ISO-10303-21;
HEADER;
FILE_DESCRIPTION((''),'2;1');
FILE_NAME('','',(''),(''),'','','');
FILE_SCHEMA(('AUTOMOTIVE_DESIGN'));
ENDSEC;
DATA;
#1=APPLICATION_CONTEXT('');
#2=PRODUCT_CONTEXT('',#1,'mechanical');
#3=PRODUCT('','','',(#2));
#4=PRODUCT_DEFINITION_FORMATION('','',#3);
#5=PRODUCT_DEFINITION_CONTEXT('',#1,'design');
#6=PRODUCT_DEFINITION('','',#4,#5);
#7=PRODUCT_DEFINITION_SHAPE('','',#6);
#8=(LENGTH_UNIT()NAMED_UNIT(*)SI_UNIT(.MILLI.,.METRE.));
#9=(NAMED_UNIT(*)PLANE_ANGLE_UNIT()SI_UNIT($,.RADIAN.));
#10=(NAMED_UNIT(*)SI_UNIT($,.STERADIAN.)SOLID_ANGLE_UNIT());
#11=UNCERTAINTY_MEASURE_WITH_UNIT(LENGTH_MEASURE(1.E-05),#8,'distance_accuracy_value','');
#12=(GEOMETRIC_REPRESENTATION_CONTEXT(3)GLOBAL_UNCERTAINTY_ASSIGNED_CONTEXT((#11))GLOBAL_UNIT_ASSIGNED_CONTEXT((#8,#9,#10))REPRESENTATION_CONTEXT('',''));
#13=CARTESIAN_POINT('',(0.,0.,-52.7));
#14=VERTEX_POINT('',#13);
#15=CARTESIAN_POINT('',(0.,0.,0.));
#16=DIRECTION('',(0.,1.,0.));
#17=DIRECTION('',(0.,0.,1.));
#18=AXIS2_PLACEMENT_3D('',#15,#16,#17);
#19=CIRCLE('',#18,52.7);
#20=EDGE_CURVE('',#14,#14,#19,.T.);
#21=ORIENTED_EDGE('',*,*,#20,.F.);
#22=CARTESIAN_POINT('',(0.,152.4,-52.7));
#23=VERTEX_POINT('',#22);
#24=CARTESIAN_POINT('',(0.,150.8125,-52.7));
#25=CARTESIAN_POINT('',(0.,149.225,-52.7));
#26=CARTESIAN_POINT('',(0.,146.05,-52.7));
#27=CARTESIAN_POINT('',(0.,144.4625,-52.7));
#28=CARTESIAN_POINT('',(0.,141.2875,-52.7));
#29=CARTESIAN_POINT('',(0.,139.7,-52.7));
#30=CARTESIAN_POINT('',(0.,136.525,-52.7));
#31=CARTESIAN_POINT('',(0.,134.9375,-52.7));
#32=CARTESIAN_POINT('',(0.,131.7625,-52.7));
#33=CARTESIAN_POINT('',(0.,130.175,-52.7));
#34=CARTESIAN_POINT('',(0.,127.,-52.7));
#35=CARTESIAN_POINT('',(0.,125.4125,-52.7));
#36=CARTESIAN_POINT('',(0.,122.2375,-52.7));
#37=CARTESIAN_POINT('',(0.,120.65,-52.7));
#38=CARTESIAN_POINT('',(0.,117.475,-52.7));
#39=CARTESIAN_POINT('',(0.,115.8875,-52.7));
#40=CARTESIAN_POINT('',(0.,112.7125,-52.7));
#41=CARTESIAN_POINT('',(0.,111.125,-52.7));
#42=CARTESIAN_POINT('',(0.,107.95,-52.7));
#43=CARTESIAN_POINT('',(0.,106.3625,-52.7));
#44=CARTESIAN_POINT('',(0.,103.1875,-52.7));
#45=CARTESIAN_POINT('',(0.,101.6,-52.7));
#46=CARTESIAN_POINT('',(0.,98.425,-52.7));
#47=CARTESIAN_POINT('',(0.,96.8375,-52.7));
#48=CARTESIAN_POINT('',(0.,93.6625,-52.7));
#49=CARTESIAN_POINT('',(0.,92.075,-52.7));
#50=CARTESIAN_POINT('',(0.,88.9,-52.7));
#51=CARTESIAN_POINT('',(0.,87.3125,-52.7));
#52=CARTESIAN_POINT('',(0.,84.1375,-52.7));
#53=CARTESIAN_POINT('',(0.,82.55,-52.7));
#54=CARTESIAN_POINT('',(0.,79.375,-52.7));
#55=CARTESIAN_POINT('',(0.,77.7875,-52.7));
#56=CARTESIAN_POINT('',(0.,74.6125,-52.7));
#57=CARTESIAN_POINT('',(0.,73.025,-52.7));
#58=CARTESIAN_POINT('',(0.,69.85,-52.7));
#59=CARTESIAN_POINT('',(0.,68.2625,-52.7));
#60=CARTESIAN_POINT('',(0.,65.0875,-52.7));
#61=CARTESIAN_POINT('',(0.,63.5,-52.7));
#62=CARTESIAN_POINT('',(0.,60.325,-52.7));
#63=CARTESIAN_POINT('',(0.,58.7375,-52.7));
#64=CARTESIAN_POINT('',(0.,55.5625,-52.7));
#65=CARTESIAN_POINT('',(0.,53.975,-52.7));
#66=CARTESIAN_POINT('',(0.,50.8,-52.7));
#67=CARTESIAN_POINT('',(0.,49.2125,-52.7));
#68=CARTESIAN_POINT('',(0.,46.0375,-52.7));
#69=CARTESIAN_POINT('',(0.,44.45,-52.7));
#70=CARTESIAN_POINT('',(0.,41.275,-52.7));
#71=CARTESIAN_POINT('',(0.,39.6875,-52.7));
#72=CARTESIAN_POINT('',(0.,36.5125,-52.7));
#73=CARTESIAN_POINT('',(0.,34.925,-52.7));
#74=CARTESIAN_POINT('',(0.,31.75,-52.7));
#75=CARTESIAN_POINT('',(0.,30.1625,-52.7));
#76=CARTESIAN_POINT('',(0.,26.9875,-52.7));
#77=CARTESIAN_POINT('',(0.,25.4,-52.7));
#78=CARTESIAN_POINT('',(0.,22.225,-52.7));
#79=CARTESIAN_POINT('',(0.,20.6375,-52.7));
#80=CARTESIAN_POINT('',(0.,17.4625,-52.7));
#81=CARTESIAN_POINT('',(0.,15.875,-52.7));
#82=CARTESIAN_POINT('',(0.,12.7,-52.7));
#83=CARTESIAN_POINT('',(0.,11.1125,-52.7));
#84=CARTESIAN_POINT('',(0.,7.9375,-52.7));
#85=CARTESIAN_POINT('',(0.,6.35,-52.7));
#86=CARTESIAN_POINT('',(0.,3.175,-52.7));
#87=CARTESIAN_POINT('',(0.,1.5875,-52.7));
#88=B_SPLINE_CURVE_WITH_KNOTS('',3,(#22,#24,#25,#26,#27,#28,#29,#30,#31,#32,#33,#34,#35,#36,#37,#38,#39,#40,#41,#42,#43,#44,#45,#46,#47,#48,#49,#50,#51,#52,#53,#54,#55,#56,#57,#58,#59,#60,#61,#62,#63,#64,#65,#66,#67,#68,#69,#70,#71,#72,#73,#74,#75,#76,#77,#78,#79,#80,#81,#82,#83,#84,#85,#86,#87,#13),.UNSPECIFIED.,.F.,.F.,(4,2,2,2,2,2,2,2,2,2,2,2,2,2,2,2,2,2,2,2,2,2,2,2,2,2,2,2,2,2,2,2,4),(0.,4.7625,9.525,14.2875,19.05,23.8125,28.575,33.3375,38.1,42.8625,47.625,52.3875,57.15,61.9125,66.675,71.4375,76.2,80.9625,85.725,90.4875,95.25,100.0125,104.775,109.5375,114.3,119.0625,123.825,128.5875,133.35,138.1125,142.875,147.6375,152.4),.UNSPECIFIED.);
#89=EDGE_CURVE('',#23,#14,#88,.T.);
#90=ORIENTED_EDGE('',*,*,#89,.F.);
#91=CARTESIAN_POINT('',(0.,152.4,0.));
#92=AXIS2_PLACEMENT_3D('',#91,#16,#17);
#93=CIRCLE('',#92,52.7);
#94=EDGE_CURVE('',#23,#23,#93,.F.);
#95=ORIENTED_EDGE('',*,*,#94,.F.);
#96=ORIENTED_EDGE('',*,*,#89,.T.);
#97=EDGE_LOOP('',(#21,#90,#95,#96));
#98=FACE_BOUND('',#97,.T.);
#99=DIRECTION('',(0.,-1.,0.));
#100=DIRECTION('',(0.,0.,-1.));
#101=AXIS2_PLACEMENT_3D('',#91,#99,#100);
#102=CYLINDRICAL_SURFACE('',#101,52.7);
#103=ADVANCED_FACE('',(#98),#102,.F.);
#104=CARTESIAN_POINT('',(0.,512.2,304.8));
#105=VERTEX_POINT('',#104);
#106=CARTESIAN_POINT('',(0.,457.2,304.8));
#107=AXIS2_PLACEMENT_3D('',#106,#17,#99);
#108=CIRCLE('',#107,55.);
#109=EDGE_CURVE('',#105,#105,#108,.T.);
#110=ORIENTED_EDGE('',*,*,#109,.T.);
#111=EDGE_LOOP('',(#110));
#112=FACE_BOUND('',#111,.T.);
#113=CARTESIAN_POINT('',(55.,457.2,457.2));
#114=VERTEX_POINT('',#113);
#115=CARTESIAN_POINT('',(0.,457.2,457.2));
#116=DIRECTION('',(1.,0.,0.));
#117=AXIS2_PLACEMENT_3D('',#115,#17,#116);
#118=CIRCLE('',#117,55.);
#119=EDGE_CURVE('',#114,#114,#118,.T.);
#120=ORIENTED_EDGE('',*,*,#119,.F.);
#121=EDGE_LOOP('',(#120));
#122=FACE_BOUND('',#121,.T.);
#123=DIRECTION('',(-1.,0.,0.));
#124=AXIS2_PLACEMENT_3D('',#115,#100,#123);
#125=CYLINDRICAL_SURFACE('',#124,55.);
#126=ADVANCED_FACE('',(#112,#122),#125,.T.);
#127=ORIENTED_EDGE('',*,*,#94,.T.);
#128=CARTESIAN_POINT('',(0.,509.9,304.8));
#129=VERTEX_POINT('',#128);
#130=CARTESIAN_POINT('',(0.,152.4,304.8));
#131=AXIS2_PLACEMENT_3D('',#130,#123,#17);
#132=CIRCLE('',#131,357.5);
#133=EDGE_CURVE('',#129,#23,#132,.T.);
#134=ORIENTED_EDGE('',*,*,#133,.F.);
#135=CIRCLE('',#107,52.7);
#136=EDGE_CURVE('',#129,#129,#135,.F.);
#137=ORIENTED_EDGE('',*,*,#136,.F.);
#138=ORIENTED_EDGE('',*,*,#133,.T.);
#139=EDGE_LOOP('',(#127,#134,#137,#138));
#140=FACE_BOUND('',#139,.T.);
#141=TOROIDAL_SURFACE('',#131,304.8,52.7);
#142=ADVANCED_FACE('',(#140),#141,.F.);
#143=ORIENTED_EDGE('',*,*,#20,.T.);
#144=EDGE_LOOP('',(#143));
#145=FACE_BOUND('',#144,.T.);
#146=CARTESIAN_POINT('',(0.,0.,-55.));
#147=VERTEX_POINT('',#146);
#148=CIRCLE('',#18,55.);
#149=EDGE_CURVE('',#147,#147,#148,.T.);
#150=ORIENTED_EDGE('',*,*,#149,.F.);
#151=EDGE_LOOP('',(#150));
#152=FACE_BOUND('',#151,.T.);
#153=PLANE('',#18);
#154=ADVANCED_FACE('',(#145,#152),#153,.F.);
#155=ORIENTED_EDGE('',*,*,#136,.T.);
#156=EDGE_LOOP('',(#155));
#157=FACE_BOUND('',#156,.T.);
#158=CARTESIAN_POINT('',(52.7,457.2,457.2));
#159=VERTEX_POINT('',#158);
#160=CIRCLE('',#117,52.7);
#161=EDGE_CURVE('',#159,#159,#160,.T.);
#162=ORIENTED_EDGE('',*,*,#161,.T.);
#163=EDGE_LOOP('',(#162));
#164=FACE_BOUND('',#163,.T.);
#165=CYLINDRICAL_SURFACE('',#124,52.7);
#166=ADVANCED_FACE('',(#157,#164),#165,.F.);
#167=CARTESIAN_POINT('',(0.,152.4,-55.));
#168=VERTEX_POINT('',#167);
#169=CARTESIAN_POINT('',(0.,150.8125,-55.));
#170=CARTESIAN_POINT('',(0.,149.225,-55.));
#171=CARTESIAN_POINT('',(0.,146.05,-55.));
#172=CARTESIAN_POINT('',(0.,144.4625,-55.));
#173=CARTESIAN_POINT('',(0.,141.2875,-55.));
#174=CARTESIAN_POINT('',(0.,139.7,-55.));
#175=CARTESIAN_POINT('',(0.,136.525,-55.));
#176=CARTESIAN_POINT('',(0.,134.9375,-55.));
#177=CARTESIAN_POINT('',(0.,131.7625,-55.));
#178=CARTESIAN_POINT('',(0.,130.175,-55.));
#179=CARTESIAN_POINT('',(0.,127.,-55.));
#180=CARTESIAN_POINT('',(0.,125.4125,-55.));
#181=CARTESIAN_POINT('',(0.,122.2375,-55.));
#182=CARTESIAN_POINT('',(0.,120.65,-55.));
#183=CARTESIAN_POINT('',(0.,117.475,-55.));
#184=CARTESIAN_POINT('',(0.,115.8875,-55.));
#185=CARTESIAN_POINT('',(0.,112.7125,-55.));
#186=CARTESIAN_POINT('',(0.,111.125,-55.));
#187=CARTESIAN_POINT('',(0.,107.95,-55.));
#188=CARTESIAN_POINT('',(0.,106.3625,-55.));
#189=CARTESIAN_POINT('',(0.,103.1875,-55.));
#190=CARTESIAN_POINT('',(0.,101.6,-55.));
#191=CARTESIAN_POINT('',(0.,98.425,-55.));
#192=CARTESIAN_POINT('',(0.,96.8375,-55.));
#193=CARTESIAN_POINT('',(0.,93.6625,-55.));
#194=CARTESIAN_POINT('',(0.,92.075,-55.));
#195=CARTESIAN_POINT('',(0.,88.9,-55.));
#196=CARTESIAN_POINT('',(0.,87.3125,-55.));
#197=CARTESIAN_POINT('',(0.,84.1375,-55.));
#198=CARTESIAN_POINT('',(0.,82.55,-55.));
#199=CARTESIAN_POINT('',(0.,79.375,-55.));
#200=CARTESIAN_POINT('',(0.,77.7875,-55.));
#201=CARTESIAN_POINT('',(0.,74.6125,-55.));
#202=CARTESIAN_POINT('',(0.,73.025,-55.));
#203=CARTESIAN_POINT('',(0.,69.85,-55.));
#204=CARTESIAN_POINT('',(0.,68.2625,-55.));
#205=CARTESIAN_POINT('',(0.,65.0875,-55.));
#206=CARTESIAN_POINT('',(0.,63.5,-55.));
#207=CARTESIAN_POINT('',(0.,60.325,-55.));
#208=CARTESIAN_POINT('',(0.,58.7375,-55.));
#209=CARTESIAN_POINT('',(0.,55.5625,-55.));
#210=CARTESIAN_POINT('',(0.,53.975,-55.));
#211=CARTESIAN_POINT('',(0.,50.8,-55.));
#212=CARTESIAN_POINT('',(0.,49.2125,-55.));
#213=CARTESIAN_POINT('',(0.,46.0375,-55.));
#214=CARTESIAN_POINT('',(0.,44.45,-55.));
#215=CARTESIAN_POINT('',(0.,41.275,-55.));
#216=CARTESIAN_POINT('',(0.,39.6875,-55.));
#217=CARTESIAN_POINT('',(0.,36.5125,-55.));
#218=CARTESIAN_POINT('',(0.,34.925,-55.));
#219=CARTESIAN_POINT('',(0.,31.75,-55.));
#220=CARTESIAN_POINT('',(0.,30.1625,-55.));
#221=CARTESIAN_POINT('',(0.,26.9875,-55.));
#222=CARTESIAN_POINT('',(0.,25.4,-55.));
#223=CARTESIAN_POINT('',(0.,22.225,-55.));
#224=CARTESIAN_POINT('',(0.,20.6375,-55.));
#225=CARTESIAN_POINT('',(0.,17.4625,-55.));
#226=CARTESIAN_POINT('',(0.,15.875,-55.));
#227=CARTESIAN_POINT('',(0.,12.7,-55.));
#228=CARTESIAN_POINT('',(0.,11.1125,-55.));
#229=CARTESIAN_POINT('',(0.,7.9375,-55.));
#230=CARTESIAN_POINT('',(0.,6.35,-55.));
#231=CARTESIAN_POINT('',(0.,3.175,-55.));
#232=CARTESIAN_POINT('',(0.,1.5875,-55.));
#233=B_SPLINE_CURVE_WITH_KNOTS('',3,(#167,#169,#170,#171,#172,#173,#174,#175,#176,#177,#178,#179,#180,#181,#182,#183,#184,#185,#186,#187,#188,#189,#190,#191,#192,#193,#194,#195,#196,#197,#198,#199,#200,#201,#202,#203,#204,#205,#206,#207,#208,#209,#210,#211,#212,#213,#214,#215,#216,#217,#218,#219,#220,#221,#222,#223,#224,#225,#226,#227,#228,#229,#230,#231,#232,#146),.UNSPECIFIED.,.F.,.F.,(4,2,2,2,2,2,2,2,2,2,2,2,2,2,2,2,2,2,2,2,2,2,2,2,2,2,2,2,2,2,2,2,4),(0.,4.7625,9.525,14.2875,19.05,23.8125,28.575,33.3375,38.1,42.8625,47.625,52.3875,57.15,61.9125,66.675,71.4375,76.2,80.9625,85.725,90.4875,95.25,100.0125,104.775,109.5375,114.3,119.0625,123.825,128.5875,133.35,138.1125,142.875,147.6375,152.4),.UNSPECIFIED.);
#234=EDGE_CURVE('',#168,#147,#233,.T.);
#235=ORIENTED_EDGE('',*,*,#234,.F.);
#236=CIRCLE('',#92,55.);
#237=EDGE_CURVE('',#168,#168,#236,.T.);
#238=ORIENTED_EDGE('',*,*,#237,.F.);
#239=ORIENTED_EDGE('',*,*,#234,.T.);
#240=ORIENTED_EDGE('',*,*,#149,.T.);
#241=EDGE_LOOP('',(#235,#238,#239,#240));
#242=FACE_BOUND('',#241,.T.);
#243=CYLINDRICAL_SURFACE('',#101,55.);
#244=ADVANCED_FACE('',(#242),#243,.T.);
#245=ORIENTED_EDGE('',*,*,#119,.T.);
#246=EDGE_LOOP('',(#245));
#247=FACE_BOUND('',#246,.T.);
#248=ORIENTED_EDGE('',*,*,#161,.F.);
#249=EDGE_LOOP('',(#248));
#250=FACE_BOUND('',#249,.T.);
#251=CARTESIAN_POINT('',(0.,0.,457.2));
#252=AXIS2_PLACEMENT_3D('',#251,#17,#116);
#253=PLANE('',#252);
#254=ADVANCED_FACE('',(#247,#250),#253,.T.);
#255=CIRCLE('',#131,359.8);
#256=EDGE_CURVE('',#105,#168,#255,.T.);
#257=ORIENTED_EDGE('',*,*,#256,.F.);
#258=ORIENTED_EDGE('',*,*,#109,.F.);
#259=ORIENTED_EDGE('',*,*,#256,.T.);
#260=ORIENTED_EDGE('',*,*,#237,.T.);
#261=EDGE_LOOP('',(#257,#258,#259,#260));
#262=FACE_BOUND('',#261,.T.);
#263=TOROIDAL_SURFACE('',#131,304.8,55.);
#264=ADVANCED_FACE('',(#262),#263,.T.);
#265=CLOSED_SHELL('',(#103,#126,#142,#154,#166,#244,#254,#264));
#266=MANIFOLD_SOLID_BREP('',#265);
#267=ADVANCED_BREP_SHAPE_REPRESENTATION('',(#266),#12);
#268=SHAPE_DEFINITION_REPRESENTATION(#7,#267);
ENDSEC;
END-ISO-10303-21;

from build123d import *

# Parameters (mm, degrees)
SKETCH1_R        = 55
SKETCH1_R_2      = 52.7
EXTRUSION1_DEPTH = 152.4
SKETCH2_R        = 55
SKETCH2_R_2      = 52.7
SKETCH4_R        = 55
SKETCH4_R_2      = 52.7
EXTRUSION2_DEPTH = 152.4


with BuildPart() as part:
    # Sketch1 → Extrusion1 (new body)
    with BuildSketch(Plane(origin=(0, 0, 0), x_dir=(-1, 0, 0), z_dir=(0, 1, 0))):
        with Locations(Location((0, 0, 0), (0, 0, 270))):
            Circle(SKETCH1_R)
        with Locations(Location((0, 0, 0), (0, 0, 270))):
            Circle(SKETCH1_R_2, mode=Mode.SUBTRACT)
    extrude(amount=EXTRUSION1_DEPTH)

    # Sweep1: sweep along a path in Sketch3
    with BuildLine(Plane(origin=(-55, 152.4, 0), x_dir=(0, -1, 0), z_dir=(-1, 0, 0))) as sweep1_path:
        ThreePointArc((-304.8, 304.8), (-215.526146906, 89.273853094), (0, 0))
    # Sketch2 → Sweep1 (sweep)
    with BuildSketch(Plane(origin=(0, 152.4, 0), x_dir=(1, 0, 0), z_dir=(0, 1, 0))):
        Circle(SKETCH2_R)
        Circle(SKETCH2_R_2, mode=Mode.SUBTRACT)
    sweep(path=sweep1_path.line)

    # Sketch4 → Extrusion2 (add)
    with BuildSketch(Plane(origin=(0, 457.2, 304.8), x_dir=(1, 0, 0), z_dir=(0, 0, 1))):
        with Locations(Location((0, 0, 0), (0, 0, 90))):
            Circle(SKETCH4_R)
        with Locations(Location((0, 0, 0), (0, 0, 90))):
            Circle(SKETCH4_R_2, mode=Mode.SUBTRACT)
    extrude(amount=EXTRUSION2_DEPTH)


solid = part.part
